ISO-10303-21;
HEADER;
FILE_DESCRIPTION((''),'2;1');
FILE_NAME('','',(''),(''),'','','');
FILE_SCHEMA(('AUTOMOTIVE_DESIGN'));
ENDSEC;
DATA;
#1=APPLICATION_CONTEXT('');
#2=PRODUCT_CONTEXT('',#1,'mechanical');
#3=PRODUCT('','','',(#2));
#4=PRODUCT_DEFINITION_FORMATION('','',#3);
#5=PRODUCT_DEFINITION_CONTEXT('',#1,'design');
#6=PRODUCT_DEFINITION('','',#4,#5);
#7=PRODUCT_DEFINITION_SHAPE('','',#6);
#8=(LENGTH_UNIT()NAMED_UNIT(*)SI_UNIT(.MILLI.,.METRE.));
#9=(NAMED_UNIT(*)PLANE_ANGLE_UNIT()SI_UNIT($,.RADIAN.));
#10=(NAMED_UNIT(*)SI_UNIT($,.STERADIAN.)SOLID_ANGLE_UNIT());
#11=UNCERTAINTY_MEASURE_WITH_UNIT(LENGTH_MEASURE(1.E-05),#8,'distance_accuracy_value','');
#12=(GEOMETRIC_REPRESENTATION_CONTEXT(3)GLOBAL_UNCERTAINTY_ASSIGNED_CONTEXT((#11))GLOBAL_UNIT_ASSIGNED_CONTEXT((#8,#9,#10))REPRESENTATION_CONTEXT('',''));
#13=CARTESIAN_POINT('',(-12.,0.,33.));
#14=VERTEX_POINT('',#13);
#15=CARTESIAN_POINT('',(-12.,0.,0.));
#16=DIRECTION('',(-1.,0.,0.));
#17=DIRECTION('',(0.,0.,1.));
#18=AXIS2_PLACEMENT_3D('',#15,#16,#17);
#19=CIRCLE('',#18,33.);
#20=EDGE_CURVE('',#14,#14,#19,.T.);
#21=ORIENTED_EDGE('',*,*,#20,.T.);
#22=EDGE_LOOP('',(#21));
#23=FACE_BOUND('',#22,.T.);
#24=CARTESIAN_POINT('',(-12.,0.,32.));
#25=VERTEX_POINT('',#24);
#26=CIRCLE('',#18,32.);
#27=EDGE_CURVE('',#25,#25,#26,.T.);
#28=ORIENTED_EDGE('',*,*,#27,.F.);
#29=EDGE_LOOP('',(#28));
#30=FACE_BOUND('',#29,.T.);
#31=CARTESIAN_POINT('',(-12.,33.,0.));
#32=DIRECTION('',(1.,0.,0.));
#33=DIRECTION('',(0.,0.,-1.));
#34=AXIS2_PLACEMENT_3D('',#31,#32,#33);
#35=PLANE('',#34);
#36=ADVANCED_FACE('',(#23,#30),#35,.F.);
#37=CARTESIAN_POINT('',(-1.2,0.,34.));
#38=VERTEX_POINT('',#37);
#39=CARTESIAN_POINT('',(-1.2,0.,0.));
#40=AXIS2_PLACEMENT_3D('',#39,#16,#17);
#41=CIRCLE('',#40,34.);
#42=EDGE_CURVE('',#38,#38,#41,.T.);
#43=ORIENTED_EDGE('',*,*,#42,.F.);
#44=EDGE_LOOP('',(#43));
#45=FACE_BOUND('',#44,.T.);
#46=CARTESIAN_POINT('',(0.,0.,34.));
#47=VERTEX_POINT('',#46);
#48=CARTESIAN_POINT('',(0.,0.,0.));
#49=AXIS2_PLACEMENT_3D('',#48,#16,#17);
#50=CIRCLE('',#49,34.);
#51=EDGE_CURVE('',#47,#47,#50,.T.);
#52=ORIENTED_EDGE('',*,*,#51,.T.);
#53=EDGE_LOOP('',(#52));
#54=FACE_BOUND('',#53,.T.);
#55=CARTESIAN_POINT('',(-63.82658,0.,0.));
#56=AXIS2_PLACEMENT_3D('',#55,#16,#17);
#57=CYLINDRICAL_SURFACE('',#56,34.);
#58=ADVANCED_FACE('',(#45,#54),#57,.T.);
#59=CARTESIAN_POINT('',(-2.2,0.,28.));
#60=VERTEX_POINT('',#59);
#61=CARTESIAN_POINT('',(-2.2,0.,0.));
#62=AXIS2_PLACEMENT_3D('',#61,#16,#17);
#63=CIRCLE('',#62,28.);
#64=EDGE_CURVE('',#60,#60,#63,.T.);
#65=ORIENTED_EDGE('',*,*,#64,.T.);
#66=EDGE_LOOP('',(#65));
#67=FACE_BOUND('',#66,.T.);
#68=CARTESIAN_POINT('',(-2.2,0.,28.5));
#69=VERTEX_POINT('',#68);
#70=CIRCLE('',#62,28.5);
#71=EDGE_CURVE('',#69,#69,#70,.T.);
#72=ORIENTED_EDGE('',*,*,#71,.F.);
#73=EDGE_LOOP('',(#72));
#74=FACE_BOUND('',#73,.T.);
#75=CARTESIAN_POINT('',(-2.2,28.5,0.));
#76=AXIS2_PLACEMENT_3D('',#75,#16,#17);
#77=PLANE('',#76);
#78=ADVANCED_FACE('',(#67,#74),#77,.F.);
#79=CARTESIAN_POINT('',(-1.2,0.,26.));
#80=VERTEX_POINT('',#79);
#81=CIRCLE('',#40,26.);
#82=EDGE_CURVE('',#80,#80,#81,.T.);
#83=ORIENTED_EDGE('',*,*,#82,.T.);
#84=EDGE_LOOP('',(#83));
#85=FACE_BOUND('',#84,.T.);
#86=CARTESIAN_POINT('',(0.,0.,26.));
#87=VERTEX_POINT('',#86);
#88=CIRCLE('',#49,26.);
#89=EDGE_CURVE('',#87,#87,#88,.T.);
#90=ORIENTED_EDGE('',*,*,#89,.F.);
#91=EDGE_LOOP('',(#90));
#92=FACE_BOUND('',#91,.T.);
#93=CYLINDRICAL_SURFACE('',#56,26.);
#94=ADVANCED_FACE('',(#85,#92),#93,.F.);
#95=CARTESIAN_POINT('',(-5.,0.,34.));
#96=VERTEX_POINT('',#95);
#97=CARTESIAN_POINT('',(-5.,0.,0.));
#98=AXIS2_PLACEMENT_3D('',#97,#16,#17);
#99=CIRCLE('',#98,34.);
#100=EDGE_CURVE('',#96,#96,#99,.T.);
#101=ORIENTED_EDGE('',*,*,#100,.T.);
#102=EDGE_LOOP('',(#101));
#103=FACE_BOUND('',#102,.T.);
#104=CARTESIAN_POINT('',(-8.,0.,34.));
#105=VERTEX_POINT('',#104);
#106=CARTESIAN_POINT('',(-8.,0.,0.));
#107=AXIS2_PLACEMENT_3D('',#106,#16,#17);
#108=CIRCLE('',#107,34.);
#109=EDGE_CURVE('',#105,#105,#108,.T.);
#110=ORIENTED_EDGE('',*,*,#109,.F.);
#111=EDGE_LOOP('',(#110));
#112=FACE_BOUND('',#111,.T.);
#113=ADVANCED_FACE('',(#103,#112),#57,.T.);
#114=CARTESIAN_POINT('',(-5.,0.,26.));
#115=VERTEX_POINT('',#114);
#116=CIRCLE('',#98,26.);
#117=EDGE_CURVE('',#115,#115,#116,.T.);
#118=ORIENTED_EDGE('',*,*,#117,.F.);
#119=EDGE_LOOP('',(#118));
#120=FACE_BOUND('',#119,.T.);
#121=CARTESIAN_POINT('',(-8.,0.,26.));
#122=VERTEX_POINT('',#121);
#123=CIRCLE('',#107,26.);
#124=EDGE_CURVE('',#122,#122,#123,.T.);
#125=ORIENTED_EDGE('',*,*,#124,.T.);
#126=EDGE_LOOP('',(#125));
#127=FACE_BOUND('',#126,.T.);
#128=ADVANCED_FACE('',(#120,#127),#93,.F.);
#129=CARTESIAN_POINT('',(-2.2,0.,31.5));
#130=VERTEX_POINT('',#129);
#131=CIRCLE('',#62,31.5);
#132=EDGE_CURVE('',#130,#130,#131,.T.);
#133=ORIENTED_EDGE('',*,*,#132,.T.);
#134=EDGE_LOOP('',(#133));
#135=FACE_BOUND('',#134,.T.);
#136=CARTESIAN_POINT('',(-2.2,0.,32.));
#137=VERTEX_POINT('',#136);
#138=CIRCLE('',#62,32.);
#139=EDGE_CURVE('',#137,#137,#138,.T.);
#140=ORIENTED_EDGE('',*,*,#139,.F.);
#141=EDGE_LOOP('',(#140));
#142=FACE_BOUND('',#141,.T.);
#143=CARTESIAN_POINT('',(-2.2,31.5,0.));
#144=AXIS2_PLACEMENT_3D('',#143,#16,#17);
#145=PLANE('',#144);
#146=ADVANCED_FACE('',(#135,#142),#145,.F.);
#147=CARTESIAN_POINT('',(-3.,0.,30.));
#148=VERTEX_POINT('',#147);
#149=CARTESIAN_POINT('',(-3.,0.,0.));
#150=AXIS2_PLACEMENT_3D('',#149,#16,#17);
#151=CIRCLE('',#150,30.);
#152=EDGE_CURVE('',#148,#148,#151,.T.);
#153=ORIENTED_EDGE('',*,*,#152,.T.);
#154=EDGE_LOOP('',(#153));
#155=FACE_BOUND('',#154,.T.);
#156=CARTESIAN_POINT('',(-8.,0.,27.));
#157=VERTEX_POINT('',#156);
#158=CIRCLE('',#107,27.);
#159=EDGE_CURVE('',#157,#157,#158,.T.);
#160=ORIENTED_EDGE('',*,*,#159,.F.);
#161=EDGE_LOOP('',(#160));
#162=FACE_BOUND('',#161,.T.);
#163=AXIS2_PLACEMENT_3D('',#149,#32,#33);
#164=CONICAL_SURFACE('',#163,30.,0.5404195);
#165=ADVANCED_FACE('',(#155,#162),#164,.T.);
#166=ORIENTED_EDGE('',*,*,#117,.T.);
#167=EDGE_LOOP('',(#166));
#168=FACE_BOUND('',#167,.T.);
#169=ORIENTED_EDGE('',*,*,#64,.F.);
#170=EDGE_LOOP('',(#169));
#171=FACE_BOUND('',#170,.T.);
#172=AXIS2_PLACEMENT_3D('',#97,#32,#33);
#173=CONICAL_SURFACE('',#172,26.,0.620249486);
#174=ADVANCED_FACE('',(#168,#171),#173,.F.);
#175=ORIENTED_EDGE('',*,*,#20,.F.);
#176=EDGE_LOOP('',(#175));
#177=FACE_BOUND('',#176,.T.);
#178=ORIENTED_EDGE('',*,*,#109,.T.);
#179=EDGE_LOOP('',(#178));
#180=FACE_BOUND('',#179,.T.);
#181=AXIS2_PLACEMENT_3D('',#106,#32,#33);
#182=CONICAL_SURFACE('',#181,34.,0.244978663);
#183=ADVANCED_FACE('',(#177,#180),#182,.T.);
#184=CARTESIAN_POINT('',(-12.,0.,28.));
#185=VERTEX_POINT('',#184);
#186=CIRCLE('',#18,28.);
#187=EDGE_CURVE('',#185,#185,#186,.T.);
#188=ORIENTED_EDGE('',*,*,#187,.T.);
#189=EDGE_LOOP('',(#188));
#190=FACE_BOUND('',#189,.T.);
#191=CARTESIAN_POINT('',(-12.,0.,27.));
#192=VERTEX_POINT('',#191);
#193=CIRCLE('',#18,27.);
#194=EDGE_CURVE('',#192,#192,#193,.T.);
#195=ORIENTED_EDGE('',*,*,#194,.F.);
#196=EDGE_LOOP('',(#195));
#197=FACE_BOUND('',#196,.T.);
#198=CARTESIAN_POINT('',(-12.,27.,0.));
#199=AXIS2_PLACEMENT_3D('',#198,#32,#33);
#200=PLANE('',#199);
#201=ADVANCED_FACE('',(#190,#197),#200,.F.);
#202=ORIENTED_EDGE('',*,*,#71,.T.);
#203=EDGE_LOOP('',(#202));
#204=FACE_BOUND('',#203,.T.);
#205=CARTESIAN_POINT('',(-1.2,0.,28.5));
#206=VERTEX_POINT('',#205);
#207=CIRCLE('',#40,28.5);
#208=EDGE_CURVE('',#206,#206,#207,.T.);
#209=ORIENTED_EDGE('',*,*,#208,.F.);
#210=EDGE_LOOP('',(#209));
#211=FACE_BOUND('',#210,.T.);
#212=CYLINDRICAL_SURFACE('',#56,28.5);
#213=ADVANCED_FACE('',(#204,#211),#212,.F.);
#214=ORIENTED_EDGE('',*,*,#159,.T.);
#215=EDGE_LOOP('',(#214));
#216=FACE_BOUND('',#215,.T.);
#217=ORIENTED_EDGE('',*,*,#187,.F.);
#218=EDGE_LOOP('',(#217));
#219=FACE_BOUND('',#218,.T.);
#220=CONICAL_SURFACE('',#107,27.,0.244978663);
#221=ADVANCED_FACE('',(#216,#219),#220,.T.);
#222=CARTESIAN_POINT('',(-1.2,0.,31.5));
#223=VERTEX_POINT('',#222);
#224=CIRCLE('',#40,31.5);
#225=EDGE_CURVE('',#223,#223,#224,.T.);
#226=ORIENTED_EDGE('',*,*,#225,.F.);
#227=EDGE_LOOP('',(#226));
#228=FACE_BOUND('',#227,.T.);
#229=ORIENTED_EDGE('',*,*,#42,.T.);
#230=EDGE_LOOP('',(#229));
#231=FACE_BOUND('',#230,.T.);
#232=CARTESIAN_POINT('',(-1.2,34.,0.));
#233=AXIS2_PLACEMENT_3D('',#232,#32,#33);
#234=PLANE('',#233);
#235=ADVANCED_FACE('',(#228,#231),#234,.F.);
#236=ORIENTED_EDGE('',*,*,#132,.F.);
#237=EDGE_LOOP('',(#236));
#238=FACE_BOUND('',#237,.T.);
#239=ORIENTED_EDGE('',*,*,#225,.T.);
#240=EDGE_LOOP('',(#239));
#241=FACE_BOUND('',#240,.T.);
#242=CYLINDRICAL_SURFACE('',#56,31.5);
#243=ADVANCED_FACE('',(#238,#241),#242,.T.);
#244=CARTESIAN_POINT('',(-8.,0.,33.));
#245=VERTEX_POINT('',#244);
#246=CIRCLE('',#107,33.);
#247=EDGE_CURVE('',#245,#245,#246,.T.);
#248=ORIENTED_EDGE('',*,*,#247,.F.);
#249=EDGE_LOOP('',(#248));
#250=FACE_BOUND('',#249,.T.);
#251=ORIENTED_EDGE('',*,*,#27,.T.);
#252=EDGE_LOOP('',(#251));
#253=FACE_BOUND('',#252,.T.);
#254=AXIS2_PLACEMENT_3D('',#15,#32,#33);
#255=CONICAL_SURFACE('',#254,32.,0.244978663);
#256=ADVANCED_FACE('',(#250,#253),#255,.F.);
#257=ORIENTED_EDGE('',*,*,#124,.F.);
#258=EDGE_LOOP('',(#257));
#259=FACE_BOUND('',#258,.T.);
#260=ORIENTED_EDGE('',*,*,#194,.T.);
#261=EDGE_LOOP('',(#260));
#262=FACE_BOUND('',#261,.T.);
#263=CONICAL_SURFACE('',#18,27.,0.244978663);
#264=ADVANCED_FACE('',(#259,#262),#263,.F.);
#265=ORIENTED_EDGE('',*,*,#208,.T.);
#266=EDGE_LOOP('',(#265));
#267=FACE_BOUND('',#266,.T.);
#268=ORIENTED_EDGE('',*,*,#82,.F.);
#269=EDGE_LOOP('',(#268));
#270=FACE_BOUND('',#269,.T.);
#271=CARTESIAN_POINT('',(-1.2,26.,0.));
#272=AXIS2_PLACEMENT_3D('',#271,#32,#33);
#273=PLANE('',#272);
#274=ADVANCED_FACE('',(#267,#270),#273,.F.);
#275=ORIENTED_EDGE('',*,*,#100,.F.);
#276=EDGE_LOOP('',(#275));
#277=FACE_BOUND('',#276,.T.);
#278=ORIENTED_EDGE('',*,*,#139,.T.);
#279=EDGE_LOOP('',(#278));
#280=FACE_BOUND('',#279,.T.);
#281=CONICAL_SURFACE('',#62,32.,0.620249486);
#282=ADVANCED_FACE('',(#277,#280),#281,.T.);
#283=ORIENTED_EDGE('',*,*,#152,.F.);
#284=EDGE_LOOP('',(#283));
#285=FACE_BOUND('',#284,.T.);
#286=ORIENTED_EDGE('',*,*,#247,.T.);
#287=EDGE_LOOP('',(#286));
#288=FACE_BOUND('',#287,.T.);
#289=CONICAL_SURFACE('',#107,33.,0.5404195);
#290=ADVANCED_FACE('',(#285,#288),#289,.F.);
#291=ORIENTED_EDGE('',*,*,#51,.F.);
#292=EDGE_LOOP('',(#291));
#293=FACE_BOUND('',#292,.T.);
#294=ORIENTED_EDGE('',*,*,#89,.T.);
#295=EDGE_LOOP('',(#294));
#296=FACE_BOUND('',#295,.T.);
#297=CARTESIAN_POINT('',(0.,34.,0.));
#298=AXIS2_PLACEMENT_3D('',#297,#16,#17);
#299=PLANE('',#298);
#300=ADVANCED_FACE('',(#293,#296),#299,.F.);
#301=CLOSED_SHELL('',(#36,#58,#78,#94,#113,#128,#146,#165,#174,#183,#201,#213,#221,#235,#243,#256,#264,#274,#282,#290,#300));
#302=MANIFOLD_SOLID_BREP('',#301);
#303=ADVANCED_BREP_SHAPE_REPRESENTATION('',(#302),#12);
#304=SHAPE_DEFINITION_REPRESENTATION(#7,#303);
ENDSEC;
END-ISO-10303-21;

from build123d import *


with BuildPart() as part:
    # Sketch1 → Revolve2 (revolve)
    with BuildSketch(Plane.XY):
        Polygon((0, 34), (0, 26), (-1.2, 26), (-1.2, 28.5), (-2.2, 28.5), (-2.2, 28), (-5, 26), (-8, 26), (-12, 27), (-12, 28), (-8, 27), (-3, 30), (-8, 33), (-12, 32), (-12, 33), (-8, 34), (-5, 34), (-2.2, 32), (-2.2, 31.5), (-1.2, 31.5), (-1.2, 34), align=None)
    revolve(axis=Axis((-63.826580298, 0, 0), (1, 0, 0)))


solid = part.part
